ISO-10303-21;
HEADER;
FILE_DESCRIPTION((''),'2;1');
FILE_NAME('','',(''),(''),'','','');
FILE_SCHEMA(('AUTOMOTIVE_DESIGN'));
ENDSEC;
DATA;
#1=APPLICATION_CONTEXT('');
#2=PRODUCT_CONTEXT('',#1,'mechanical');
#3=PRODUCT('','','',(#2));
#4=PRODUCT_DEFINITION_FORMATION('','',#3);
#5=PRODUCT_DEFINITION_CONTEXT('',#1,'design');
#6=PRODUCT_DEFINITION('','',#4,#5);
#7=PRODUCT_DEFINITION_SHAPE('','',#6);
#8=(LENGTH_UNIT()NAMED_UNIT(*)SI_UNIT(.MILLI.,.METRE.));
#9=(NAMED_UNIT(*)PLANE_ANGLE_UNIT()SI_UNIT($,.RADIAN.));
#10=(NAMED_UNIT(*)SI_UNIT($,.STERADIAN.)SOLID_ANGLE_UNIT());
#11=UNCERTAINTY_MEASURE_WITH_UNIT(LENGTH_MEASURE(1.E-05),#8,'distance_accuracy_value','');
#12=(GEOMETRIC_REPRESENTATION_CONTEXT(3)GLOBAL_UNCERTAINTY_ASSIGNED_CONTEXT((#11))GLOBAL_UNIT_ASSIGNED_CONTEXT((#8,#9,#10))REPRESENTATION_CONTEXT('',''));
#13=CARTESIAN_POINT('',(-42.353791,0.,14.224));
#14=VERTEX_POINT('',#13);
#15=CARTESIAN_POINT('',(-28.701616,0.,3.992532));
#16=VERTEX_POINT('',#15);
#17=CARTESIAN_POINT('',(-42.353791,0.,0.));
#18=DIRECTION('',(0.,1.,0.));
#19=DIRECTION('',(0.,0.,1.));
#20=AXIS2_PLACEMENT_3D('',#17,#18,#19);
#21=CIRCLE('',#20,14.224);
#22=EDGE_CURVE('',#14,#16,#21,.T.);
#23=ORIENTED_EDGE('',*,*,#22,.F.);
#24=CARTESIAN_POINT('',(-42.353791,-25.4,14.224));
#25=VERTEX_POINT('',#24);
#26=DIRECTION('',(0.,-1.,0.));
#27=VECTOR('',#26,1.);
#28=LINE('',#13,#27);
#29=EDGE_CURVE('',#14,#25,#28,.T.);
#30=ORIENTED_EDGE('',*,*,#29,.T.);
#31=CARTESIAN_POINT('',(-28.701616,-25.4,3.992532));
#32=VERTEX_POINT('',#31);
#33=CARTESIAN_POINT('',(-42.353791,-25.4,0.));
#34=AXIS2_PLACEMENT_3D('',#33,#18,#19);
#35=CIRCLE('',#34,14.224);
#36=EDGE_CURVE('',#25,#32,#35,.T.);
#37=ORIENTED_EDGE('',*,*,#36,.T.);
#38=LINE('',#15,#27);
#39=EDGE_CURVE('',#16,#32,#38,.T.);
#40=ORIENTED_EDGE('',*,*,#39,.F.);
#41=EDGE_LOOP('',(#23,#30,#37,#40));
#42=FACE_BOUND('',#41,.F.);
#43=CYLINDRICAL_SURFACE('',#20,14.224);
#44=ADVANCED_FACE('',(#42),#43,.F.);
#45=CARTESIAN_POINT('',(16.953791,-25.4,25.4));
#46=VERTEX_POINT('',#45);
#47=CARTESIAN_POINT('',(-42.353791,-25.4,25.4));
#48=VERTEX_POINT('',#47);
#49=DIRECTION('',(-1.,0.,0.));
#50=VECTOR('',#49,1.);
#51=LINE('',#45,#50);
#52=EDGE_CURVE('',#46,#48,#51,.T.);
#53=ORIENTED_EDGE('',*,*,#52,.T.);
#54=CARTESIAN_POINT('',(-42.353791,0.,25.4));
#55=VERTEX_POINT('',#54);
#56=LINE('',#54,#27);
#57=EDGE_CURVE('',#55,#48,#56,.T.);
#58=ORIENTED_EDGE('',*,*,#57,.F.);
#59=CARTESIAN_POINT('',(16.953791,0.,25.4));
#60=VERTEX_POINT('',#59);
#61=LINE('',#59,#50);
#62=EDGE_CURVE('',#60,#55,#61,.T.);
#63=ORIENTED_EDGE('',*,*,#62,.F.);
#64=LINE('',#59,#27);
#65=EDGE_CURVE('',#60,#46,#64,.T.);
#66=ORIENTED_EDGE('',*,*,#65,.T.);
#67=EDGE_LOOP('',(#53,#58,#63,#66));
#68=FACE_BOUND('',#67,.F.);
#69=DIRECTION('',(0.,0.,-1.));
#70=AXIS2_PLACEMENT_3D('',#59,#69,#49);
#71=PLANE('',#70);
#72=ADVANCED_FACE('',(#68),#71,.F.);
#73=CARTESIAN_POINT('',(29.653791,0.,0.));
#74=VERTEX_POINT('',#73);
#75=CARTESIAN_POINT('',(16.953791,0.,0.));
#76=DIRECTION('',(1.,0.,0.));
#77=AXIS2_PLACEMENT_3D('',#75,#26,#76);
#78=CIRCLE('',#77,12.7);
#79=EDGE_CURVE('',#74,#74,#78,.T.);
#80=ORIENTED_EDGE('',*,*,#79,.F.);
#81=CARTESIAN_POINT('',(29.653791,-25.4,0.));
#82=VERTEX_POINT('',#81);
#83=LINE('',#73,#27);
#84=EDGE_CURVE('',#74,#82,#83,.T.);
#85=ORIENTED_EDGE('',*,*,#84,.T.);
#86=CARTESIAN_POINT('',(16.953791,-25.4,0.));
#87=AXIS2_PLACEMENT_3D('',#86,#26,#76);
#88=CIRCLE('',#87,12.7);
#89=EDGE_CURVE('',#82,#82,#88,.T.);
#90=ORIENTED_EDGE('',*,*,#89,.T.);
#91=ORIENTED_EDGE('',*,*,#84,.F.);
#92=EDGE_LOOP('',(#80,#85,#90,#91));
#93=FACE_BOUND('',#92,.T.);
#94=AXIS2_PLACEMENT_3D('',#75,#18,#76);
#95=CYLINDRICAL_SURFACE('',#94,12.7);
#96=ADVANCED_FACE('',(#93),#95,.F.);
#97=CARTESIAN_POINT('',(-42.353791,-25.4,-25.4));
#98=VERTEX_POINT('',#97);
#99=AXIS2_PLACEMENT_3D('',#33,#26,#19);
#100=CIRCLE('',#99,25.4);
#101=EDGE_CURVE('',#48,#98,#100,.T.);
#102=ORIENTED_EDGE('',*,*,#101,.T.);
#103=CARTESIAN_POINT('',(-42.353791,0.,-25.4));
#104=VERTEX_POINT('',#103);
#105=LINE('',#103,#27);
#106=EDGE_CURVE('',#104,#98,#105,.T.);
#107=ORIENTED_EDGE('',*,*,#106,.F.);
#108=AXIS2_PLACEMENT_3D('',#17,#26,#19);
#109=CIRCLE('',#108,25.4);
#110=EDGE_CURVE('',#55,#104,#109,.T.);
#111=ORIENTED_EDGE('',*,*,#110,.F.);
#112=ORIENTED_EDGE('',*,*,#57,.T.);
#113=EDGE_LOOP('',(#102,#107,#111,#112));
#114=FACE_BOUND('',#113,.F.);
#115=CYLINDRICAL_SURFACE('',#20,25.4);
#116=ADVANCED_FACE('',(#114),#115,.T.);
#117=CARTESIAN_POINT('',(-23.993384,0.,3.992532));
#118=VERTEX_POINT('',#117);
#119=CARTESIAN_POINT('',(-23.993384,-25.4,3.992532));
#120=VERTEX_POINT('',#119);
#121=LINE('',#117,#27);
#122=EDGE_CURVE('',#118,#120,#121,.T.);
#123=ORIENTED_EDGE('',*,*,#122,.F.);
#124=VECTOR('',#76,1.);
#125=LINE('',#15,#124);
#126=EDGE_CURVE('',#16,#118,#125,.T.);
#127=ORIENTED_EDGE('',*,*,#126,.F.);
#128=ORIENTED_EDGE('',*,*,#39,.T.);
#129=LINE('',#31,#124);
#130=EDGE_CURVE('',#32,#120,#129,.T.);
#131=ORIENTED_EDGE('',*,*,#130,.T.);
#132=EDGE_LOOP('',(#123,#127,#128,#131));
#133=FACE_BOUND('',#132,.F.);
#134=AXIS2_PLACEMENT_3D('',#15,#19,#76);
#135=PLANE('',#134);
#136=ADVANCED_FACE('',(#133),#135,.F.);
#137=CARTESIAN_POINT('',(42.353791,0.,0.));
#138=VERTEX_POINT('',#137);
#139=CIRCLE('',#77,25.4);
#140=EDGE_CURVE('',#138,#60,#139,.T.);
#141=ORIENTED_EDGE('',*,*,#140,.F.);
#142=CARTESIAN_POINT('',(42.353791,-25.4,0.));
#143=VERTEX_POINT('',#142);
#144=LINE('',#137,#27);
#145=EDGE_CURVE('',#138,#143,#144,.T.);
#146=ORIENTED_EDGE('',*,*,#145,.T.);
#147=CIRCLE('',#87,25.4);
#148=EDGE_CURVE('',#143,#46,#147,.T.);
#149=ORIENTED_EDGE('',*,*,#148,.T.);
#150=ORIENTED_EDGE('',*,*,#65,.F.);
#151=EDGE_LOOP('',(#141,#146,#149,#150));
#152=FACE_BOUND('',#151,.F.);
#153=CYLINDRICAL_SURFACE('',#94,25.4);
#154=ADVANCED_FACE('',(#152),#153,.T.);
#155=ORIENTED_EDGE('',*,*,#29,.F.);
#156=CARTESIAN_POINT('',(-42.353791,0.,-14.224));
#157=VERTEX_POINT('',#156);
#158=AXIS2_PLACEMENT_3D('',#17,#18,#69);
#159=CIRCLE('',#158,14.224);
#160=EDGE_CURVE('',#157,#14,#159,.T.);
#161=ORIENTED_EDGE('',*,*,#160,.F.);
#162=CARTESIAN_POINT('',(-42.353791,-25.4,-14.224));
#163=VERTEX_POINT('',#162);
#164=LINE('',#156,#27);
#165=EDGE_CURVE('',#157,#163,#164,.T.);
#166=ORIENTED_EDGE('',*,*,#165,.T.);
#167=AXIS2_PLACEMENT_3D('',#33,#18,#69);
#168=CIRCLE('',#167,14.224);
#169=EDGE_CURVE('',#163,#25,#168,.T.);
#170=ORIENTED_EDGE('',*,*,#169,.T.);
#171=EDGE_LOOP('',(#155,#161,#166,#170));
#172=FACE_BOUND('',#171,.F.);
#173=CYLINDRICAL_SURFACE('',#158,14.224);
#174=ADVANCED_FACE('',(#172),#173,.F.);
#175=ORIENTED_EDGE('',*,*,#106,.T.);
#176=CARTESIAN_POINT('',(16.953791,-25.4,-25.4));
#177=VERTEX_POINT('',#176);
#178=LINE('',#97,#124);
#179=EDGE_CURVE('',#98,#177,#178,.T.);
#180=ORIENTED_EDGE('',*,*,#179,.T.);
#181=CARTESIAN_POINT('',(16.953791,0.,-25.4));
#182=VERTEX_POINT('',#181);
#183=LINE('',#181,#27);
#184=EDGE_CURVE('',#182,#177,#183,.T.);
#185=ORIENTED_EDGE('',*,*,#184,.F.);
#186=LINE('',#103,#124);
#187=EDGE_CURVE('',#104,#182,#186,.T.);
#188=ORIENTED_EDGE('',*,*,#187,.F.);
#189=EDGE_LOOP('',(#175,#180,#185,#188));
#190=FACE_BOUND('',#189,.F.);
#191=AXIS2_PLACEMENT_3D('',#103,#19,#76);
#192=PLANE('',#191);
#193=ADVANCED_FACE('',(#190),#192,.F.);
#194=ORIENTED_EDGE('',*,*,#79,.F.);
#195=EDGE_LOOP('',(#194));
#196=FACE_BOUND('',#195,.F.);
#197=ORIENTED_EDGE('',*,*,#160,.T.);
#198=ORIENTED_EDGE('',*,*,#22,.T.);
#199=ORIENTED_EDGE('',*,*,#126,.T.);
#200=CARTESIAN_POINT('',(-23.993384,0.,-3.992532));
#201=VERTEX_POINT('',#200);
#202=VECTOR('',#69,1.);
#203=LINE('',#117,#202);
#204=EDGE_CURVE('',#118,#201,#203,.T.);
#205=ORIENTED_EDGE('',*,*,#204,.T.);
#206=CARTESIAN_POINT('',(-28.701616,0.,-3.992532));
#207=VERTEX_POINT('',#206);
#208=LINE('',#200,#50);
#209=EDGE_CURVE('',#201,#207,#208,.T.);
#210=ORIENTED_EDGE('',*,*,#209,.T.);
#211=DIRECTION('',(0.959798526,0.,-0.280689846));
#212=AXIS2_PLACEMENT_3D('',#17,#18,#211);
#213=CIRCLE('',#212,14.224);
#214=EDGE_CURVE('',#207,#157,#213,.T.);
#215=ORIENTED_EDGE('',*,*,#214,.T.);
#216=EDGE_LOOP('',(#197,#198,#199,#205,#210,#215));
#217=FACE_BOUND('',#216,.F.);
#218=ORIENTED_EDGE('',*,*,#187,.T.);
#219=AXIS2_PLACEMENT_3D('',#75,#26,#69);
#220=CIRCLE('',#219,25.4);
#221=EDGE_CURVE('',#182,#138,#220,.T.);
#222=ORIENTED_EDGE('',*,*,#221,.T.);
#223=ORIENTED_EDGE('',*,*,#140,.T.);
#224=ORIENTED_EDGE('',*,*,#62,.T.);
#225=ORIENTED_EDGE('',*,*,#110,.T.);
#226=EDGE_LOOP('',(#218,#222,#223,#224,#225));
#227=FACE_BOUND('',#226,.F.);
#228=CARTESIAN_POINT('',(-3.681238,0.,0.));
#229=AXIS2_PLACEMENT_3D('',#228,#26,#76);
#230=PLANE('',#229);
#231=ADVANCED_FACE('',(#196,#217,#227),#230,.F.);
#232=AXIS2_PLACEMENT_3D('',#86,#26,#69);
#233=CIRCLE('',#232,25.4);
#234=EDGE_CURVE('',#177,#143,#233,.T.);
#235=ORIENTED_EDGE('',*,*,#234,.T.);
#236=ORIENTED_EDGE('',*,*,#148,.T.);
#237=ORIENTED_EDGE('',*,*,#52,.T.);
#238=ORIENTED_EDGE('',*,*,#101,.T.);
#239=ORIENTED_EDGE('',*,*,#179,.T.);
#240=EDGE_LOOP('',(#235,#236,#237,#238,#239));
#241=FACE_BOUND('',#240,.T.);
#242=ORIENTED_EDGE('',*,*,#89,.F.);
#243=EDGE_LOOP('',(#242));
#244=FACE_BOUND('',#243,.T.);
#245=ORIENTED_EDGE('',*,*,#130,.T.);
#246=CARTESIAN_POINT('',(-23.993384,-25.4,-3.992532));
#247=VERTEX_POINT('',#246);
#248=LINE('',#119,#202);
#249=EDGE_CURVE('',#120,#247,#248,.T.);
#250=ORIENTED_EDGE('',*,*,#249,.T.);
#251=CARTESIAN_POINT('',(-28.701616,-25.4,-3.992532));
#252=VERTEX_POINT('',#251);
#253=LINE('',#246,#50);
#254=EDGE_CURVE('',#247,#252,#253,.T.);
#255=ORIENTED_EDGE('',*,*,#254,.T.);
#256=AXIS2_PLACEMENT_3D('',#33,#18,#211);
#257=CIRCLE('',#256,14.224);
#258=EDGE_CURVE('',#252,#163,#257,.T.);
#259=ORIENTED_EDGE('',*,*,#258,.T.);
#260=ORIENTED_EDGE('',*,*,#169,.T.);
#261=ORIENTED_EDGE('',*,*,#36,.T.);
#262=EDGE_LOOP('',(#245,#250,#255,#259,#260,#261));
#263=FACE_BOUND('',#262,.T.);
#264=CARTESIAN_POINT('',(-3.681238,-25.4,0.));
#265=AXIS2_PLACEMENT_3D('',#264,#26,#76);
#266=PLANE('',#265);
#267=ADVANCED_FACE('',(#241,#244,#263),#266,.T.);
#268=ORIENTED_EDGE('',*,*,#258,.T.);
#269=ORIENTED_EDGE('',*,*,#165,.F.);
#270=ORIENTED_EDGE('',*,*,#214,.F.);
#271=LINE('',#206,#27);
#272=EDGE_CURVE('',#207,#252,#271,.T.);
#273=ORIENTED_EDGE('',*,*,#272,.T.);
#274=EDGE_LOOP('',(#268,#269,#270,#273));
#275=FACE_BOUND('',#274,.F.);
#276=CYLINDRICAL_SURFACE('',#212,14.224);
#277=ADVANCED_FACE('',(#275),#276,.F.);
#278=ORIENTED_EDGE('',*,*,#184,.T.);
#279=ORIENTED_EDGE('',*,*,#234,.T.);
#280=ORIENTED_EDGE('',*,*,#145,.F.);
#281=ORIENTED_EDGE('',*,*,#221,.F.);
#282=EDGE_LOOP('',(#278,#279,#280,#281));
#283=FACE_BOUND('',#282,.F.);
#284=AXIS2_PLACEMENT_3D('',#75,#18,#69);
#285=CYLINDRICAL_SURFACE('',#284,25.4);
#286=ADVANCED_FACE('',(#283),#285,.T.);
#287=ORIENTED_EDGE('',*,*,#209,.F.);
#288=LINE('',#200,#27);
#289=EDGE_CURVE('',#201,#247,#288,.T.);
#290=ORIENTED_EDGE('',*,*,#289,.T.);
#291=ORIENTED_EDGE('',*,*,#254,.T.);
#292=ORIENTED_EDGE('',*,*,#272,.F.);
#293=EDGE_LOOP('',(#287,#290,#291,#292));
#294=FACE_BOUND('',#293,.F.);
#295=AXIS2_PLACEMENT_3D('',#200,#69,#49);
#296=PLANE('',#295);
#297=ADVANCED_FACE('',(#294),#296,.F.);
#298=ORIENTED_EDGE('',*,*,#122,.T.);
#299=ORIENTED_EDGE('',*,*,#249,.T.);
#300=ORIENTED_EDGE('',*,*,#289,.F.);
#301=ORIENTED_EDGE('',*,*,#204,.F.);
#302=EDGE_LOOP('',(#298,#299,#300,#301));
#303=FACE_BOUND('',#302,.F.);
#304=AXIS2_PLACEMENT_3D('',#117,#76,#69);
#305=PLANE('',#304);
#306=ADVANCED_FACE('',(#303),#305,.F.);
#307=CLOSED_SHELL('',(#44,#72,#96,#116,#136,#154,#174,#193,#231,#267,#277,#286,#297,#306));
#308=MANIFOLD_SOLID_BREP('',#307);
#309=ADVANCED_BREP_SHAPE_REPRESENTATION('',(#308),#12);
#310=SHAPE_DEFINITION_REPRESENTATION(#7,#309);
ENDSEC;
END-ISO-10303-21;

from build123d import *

# Parameters (mm, degrees)
F0_R     = 12.7
F1_DEPTH = 25.4


with BuildPart() as f1:
    # F0 (on Front) → F1 (new body)
    with BuildSketch(Plane.XZ):
        with BuildLine():
            Line((16.9537905604, 25.4), (-42.3537905604, 25.4))
            ThreePointArc((-42.3537905604, 25.4), (-24.3932783182, 17.9605122421), (-16.9537905604, 0))
            ThreePointArc((-16.9537905604, 0), (-24.3932783182, -17.9605122421), (-42.3537905604, -25.4))
            Line((-42.3537905604, -25.4), (16.9537905604, -25.4))
            ThreePointArc((16.9537905604, -25.4), (34.9143028025, -17.9605122421), (42.3537905604, 0))
            ThreePointArc((42.3537905604, 0), (34.9143028025, 17.9605122421), (16.9537905604, 25.4))
        make_face()
        with Locations((16.9537905604, 0)):
            Circle(F0_R, mode=Mode.SUBTRACT)
        with BuildLine():
            Line((-42.3537905604, 14.224), (-42.3537905604, 25.4))
            ThreePointArc((-42.3537905604, 25.4), (-67.7537905604, 0), (-42.3537905604, -25.4))
            Line((-42.3537905604, -25.4), (-42.3537905604, -14.224))
            ThreePointArc((-42.3537905604, -14.224), (-56.5777905604, 0), (-42.3537905604, 14.224))
        make_face()
        with BuildLine():
            ThreePointArc((-16.9537905604, 0), (-24.3932783182, 17.9605122421), (-42.3537905604, 25.4))
            Line((-42.3537905604, 25.4), (-42.3537905604, 14.224))
            ThreePointArc((-42.3537905604, 14.224), (-33.8234800273, 11.3822659523), (-28.7016163276, 3.9925323692))
            Line((-28.7016163276, 3.9925323692), (-23.993383965, 3.9925323692))
            Line((-23.993383965, 3.9925323692), (-23.993383965, -3.9925323692))
            Line((-23.993383965, -3.9925323692), (-28.7016163276, -3.9925323692))
            ThreePointArc((-28.7016163276, -3.9925323692), (-33.8234800273, -11.3822659523), (-42.3537905604, -14.224))
            Line((-42.3537905604, -14.224), (-42.3537905604, -25.4))
            ThreePointArc((-42.3537905604, -25.4), (-24.3932783182, -17.9605122421), (-16.9537905604, 0))
        make_face()
    extrude(amount=F1_DEPTH)


solid = f1.part
